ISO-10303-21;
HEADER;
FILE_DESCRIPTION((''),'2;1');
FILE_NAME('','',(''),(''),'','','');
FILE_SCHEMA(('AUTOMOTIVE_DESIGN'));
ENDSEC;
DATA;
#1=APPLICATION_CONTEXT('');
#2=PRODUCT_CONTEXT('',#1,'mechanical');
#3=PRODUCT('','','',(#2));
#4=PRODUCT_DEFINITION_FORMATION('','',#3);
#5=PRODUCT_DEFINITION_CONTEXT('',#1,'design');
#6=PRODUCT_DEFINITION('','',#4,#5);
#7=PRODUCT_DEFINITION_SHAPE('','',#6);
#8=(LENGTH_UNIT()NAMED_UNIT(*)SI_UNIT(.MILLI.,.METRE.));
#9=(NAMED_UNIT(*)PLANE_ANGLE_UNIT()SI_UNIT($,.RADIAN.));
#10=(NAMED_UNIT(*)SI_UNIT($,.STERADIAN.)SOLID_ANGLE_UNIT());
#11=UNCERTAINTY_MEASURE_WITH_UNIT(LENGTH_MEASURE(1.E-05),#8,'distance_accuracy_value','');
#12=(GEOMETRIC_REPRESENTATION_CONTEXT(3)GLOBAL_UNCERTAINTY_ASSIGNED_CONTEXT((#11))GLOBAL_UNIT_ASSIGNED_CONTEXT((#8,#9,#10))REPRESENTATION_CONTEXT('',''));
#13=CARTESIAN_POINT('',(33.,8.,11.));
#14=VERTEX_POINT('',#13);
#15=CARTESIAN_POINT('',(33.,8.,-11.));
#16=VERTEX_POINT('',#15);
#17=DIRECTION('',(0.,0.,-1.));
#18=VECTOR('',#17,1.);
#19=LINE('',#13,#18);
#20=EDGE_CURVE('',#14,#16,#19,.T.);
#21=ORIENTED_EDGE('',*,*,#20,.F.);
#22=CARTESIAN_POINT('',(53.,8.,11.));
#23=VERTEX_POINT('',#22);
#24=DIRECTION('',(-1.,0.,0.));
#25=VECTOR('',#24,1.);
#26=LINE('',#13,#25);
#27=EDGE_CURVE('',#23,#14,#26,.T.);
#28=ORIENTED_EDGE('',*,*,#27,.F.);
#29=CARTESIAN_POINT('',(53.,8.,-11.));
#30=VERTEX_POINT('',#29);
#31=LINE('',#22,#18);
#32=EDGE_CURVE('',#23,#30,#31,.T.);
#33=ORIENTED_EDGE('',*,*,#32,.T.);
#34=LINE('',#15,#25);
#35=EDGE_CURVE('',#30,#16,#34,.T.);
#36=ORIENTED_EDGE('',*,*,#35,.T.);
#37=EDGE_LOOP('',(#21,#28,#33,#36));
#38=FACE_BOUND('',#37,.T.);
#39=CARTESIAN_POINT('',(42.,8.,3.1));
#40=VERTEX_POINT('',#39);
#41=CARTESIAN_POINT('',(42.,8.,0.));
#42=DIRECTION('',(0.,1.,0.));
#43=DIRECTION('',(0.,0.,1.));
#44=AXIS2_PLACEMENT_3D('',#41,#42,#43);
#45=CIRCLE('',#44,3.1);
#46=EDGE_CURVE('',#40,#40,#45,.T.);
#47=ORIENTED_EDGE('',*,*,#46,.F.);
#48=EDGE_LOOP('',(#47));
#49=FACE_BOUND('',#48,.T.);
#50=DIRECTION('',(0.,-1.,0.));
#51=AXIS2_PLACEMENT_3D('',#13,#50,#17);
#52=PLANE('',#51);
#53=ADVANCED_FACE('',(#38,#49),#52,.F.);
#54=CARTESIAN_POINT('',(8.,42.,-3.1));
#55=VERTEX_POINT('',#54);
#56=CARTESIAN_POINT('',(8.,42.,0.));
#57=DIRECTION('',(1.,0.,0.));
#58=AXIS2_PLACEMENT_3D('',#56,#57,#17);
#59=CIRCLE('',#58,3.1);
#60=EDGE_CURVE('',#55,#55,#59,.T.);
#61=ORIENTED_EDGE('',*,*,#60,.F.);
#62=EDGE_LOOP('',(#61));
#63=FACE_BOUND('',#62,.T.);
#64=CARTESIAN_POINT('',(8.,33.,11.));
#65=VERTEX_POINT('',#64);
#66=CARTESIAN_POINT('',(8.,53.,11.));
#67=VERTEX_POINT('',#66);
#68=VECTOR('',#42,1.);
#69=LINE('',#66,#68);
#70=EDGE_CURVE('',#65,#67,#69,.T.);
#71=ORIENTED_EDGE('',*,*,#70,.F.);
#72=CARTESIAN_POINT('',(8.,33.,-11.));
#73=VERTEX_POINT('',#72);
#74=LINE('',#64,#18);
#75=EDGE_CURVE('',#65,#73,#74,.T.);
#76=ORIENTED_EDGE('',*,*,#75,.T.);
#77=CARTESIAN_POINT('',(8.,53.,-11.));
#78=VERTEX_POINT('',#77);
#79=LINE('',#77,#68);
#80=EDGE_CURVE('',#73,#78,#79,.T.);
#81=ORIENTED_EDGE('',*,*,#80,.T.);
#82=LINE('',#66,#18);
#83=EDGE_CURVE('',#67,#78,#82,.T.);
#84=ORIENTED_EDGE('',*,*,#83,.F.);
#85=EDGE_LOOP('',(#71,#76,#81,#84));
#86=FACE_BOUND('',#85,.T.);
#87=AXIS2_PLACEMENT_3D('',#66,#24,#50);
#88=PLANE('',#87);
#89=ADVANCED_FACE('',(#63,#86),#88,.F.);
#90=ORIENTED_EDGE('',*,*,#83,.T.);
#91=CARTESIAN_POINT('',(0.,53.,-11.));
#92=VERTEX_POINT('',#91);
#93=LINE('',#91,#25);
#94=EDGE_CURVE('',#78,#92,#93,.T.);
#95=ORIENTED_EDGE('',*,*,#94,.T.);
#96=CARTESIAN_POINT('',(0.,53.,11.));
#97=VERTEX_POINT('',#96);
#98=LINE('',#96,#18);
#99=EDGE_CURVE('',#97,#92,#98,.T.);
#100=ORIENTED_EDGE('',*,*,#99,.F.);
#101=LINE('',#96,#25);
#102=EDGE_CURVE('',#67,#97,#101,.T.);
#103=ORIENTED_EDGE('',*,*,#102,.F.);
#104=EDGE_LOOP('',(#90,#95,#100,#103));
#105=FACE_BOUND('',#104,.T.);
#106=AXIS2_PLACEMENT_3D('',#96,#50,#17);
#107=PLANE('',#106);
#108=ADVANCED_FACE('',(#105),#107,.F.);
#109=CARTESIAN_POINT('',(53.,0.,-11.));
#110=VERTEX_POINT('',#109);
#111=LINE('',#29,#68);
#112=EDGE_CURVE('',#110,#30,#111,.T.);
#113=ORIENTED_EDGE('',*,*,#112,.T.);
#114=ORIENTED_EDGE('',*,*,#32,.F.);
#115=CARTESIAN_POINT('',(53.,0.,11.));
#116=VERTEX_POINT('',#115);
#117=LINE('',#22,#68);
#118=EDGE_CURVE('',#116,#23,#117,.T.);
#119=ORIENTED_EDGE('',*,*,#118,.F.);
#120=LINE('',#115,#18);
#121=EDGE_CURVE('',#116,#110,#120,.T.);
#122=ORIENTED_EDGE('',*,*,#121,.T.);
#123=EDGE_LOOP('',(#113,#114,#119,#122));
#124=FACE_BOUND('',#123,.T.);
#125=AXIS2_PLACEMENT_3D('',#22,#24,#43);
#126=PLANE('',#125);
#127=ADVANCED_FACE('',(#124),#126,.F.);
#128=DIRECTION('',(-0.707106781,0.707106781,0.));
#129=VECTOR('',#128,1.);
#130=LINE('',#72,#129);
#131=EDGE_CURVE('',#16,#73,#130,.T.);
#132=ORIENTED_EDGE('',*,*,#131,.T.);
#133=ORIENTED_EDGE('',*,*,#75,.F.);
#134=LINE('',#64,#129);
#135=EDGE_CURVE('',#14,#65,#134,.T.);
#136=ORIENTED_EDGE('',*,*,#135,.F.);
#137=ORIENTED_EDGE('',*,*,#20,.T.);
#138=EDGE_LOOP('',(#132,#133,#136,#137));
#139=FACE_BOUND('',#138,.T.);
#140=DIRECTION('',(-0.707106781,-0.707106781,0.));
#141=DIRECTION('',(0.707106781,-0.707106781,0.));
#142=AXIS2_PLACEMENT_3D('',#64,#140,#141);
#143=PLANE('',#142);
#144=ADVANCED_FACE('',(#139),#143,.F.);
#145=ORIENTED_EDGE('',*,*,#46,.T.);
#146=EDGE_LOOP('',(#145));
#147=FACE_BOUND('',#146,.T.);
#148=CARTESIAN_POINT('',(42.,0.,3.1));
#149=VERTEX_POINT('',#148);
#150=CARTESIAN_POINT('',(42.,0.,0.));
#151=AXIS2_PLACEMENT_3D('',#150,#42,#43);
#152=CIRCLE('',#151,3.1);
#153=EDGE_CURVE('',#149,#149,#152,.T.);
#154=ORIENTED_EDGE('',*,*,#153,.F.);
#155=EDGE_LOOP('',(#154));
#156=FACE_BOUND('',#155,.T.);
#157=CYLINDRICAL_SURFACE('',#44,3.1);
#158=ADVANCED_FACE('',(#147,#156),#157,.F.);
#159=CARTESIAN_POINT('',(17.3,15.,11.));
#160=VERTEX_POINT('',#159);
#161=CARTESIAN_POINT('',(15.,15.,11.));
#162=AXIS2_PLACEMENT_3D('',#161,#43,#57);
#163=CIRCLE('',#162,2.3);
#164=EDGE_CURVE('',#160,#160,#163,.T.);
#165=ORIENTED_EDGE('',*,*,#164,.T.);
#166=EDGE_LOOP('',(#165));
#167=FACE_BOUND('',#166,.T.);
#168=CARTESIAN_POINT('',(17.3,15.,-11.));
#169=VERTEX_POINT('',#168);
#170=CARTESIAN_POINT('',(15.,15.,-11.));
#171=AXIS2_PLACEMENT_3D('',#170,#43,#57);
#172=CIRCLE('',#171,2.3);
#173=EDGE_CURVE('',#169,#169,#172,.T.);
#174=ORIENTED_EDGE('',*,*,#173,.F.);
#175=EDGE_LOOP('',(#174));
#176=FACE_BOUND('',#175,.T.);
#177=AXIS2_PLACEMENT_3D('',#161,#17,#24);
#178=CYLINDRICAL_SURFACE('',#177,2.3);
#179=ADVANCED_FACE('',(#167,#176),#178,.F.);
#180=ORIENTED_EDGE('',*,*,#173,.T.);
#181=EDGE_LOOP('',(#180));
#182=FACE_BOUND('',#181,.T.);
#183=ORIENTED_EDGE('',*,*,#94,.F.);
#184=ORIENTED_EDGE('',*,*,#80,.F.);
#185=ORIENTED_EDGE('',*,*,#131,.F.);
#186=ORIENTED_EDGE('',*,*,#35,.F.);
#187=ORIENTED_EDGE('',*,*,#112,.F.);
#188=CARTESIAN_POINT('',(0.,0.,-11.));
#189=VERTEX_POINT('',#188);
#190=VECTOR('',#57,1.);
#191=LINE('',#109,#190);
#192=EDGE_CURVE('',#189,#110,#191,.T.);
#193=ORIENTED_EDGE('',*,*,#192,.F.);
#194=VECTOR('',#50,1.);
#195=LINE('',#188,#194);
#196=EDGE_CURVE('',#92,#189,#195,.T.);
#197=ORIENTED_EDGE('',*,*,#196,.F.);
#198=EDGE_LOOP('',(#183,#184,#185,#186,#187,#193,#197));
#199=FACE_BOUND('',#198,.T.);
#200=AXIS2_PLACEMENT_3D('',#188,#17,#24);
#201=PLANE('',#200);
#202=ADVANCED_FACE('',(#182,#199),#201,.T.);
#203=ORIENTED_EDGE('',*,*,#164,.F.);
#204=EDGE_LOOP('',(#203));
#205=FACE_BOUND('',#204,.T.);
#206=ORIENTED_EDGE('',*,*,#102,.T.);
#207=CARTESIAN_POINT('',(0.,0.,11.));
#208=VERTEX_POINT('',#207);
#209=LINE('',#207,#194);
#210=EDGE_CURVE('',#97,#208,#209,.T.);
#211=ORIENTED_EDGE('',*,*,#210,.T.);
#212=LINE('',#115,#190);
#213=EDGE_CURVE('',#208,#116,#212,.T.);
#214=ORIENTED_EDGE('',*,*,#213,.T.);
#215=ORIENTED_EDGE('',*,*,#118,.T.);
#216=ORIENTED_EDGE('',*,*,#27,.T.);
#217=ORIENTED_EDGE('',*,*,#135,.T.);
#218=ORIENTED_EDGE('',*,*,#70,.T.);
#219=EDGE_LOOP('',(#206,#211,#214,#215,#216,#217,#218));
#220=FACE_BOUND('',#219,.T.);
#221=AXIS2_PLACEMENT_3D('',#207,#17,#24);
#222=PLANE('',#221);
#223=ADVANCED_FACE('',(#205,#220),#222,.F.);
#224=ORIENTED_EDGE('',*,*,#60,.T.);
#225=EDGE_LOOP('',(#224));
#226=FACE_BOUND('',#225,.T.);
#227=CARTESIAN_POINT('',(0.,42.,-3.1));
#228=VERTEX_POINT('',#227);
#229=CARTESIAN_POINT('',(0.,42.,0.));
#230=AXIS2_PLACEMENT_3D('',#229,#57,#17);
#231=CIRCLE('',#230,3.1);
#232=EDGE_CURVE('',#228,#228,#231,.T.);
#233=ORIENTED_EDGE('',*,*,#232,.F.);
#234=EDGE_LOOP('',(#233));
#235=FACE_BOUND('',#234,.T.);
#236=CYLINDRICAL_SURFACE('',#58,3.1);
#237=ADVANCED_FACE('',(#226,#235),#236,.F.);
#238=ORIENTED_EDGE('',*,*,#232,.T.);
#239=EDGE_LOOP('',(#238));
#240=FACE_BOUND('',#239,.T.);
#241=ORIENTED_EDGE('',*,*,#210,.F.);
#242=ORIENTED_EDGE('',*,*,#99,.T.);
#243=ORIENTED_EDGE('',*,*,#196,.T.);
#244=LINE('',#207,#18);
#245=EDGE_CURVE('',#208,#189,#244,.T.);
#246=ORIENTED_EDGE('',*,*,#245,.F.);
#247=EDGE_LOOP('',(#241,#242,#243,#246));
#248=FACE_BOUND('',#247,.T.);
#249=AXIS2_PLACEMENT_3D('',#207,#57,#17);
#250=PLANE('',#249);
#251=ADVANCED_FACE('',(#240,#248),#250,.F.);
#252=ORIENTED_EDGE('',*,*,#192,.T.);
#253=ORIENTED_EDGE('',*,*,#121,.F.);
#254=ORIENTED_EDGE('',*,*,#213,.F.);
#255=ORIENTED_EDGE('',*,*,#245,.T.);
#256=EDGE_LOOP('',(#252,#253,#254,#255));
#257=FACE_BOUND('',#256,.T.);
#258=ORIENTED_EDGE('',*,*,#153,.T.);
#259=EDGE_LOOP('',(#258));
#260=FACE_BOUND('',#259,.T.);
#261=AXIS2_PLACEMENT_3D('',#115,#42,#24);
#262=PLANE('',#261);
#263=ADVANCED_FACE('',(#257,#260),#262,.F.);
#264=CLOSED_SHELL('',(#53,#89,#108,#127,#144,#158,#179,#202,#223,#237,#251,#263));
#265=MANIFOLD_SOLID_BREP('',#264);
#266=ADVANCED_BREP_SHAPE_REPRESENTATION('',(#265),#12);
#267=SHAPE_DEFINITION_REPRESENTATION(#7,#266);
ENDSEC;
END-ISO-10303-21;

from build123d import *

# Parameters (mm, degrees)
SKETCH_1_R              = 2.3
EXTRUDE_1_DEPTH         = 11
HOLE_WIZARD_6_2_6_2_1_D = 6.2
HOLE_WIZARD_6_2_6_2_2_D = 6.2


with BuildPart() as part:
    # 草图1 → 凸台-拉伸1 (new, symmetric)
    with BuildSketch(Plane.XY):
        Polygon((0, 0), (0, 53), (8, 53), (8, 33), (33, 8), (53, 8), (53, 0), align=None)
        with Locations((15, 15)):
            Circle(SKETCH_1_R, mode=Mode.SUBTRACT)
    extrude(amount=EXTRUDE_1_DEPTH, both=True)

    # Ø6.2 (6.2) 直径孔1 (through all)
    with Locations(Plane(origin=(0, 8, 0), x_dir=(1, 0, 0), z_dir=(0, 1, 0))):
        with Locations((42, 0)):
            Hole(HOLE_WIZARD_6_2_6_2_1_D / 2)

    # Ø6.2 (6.2) 直径孔2 (through all)
    with Locations(Plane(origin=(8, 0, 0), x_dir=(0, 0, -1), z_dir=(1, 0, 0))):
        with Locations((0, 42)):
            Hole(HOLE_WIZARD_6_2_6_2_2_D / 2)


solid = part.part
